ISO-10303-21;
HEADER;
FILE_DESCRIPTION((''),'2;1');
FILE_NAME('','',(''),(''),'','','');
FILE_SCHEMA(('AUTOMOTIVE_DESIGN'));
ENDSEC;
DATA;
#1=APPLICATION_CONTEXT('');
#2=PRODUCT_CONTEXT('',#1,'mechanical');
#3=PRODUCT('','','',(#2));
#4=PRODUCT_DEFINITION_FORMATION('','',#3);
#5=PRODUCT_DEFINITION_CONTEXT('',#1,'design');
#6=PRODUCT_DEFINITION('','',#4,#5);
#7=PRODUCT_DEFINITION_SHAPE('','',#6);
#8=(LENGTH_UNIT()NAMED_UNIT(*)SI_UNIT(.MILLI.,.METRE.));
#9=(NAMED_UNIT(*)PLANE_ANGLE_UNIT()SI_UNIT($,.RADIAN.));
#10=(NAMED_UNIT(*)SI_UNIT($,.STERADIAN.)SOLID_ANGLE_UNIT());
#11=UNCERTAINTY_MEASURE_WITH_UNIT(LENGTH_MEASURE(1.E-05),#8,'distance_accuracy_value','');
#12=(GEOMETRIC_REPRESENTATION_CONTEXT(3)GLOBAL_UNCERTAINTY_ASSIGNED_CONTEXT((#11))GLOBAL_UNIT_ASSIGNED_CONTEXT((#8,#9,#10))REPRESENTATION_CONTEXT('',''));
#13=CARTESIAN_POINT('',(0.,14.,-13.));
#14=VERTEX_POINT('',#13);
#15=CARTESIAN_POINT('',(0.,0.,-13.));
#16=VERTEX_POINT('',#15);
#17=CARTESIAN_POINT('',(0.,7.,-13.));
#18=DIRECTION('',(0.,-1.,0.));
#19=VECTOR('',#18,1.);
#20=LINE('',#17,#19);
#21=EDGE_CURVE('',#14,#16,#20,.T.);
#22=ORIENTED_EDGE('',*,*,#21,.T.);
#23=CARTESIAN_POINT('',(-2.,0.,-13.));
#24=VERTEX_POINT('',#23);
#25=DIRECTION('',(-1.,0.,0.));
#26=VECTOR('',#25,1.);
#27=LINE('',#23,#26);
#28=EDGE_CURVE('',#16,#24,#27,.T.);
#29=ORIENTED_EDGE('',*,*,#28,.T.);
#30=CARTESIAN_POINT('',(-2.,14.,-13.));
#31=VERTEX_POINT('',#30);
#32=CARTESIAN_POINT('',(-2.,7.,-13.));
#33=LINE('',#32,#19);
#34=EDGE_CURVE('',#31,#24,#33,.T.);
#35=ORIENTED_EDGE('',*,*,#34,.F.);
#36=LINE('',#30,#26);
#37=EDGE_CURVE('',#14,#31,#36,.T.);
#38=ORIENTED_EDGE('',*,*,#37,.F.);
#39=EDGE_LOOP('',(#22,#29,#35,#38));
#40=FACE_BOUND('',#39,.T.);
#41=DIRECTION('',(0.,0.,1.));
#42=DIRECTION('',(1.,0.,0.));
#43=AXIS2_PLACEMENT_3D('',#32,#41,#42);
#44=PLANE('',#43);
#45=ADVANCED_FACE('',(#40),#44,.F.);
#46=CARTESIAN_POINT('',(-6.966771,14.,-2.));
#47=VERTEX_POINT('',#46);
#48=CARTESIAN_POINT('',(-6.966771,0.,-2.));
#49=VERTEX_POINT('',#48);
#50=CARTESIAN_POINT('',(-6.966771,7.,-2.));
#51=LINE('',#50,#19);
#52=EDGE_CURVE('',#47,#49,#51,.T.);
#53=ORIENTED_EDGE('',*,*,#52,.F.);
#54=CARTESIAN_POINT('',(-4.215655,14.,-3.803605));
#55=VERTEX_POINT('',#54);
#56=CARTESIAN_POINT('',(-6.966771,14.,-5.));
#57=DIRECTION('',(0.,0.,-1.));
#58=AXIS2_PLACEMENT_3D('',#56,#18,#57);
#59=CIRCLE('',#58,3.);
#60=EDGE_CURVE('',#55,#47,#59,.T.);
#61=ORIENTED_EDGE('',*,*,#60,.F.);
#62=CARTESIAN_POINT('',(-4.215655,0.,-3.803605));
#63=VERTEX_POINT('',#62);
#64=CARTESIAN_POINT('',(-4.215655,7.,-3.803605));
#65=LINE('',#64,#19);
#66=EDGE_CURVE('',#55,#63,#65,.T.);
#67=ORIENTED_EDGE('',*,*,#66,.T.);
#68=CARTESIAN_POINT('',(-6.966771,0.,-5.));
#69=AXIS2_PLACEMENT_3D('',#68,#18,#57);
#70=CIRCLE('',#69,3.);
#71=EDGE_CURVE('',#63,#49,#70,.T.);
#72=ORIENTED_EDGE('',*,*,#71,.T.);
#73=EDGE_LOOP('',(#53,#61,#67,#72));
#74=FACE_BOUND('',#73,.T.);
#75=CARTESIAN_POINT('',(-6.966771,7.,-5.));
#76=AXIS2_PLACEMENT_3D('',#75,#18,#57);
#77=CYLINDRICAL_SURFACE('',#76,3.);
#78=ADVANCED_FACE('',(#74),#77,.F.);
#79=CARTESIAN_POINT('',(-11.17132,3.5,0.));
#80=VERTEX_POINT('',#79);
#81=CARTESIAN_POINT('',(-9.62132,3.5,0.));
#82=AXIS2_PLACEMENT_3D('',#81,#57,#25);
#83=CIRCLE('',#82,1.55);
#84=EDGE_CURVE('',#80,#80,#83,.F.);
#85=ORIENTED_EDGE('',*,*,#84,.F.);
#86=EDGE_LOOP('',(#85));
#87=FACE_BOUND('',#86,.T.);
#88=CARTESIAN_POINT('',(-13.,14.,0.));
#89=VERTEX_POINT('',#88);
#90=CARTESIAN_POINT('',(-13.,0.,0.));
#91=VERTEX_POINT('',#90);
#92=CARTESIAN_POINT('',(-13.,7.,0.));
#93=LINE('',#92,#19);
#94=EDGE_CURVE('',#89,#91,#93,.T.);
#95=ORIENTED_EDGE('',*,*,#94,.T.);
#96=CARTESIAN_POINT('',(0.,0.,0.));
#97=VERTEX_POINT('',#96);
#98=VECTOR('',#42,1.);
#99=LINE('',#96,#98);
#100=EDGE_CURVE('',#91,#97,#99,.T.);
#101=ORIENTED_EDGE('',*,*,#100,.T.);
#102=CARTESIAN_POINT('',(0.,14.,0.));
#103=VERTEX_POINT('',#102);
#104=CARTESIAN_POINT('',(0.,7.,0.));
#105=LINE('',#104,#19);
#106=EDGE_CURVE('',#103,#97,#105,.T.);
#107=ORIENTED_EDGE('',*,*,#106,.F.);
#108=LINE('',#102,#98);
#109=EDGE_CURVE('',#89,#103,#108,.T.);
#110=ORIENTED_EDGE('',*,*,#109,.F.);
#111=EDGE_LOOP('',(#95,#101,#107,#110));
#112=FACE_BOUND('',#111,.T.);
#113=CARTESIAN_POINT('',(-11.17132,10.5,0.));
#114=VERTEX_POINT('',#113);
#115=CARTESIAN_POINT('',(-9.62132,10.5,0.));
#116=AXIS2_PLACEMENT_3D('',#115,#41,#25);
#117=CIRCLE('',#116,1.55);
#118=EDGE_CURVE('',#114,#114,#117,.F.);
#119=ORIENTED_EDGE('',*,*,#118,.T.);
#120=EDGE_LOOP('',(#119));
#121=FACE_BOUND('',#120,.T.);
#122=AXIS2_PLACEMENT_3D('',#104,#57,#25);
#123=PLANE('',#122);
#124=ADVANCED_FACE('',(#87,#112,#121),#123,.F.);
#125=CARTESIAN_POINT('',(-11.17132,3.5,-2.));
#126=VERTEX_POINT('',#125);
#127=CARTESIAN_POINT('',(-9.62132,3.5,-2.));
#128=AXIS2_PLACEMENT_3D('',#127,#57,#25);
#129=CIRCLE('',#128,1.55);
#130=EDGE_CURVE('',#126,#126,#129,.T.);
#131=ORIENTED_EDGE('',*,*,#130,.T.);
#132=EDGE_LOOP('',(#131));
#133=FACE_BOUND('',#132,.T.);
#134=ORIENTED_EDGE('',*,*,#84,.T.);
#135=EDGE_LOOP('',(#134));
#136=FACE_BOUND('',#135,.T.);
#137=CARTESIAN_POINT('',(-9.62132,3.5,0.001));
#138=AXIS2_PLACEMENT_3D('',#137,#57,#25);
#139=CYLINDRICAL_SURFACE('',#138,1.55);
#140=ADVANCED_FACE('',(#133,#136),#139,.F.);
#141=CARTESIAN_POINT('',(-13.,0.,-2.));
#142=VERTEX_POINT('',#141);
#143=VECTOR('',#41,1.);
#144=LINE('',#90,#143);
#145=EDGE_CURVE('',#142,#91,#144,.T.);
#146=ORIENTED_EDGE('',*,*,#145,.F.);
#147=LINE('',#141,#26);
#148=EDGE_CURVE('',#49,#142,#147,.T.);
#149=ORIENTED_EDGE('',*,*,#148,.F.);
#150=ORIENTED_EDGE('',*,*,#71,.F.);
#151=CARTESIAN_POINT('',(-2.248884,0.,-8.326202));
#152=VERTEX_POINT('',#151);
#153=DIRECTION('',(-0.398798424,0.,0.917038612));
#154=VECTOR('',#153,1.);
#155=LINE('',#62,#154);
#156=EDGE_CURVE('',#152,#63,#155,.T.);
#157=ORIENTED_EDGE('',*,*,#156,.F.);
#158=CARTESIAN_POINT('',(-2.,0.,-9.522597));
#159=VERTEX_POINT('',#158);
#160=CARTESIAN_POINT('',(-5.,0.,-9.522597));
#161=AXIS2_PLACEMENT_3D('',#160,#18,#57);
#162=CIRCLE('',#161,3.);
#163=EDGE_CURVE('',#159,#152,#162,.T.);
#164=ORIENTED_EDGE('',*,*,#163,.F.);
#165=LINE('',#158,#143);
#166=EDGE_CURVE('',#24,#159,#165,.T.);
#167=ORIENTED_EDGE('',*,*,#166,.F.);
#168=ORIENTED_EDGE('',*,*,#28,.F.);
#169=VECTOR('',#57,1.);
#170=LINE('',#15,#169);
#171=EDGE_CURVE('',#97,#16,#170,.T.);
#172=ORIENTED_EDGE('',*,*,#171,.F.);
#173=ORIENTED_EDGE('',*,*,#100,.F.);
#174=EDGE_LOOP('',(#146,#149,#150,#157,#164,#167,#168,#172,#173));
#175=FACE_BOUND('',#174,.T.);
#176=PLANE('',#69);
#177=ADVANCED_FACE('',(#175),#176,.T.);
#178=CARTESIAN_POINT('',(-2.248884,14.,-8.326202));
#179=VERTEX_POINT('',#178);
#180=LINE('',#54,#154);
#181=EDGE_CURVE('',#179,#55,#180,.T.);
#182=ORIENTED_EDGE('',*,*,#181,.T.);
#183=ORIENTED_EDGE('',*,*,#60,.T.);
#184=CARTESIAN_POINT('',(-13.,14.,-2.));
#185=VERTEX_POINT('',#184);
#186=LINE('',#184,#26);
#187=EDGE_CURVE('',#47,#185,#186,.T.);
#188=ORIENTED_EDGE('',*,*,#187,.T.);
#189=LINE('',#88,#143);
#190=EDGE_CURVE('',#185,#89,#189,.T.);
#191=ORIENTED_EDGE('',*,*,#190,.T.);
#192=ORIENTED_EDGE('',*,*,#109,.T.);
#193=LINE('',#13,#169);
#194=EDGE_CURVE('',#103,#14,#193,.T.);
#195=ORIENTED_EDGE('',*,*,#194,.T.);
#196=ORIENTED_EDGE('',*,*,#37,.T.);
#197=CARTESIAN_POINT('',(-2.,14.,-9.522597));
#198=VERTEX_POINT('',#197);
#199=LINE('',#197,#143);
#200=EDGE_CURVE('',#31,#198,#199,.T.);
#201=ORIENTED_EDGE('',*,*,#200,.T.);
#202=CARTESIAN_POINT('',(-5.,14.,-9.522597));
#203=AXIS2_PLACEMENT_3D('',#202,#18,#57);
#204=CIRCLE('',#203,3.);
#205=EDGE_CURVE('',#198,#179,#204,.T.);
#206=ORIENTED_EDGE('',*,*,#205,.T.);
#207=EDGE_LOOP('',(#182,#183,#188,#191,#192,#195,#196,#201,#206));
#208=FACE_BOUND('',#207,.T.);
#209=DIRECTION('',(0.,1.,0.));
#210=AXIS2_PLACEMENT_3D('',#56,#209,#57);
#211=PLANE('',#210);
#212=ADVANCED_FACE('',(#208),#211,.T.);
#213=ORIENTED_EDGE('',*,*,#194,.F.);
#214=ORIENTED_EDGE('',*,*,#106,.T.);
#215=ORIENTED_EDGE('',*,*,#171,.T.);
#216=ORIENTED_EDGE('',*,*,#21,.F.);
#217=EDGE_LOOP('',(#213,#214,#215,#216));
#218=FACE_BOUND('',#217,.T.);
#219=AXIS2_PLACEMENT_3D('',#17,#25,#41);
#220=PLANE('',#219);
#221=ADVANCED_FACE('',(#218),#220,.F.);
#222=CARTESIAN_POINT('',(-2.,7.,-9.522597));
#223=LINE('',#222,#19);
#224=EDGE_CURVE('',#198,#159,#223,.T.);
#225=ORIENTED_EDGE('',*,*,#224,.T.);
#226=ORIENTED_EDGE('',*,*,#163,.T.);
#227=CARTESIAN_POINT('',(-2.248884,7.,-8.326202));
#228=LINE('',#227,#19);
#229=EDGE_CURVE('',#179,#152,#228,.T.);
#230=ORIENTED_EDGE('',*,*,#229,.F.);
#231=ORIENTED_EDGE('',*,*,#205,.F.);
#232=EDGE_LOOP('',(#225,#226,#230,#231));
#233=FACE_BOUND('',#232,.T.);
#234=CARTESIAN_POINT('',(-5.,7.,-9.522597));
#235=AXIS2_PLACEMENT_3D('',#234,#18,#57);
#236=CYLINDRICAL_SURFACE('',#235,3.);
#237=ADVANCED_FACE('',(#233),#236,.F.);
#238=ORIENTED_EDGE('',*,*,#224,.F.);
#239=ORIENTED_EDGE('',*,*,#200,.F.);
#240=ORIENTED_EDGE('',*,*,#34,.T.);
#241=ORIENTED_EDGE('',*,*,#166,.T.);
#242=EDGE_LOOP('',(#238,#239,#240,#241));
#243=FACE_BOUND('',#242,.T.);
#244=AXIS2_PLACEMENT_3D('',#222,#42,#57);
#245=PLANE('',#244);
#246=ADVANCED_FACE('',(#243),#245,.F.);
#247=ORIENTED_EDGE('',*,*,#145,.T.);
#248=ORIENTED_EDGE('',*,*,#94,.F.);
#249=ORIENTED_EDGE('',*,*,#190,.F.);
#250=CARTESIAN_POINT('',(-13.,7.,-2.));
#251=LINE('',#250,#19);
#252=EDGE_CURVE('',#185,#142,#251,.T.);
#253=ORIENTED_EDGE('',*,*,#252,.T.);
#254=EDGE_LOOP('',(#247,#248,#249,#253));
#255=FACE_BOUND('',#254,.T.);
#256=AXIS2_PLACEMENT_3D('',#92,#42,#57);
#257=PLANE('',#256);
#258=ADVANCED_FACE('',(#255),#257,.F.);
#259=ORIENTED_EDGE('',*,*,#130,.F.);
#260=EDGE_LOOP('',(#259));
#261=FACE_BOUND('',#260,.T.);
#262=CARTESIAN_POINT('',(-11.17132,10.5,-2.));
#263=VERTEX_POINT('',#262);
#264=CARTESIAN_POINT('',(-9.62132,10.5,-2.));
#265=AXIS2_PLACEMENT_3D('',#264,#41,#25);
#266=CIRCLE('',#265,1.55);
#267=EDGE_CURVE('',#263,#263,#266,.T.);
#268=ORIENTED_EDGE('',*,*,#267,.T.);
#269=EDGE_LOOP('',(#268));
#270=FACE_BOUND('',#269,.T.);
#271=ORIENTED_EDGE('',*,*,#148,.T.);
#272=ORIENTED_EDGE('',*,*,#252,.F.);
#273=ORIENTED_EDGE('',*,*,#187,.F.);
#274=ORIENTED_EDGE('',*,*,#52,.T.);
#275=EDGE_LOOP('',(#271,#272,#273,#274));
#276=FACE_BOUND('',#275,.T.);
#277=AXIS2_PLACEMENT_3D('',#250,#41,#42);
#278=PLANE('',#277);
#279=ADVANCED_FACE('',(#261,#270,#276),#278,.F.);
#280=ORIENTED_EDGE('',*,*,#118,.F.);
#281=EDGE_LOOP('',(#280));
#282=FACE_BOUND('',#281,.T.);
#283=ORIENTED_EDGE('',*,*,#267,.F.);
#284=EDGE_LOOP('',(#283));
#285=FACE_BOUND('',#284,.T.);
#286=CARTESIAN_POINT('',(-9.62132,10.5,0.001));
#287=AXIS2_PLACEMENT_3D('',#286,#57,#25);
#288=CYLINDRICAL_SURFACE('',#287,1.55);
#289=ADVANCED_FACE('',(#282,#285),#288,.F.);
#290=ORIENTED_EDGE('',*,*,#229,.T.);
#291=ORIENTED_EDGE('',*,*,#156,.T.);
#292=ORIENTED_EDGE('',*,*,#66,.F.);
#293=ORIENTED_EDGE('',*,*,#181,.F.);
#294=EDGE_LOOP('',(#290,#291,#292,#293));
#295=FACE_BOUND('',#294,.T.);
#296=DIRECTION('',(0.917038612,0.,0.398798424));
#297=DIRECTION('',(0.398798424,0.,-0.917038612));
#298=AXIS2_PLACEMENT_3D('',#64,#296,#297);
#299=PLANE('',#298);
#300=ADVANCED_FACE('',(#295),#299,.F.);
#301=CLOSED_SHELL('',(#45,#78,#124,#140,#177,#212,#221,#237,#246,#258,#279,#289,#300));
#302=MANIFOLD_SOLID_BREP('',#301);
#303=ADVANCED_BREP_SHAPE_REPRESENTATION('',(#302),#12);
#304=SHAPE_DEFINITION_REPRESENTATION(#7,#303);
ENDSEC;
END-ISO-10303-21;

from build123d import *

# Parameters (mm, degrees)
BOSS_EXTRUDE1_DEPTH = 7
CUT_EXTRUDE1_REACH  = 20.412
SKETCH3_R           = 1.55


with BuildPart() as part:
    # Sketch1 → Boss-Extrude1 (new body)
    with BuildSketch(Plane(origin=(0, 0, 0), x_dir=(1, 0, 0), z_dir=(0, 1, 0))):
        with BuildLine():
            Line((0, 0), (-13, 0))
            Line((-13, 0), (-13, 2))
            Line((-13, 2), (-6.966770758, 2))
            ThreePointArc((-6.966770758, 2), (-5.321958583, 2.49109727), (-4.215654921, 3.803604727))
            Line((-4.215654921, 3.803604727), (-2.248884163, 8.326202151))
            ThreePointArc((-2.248884163, 8.326202151), (-2.062880024, 8.911593133), (-2, 9.522597424))
            Line((-2, 9.522597424), (-2, 13))
            Line((-2, 13), (0, 13))
            Line((0, 13), (0, 0))
        make_face()
    extrude(amount=BOSS_EXTRUDE1_DEPTH)

    # Sketch3 → Cut-Extrude1 (cut, up to next)
    with BuildSketch(Plane(origin=(0, 0, -2), x_dir=(-1, 0, 0), z_dir=(0, 0, -1)), mode=Mode.PRIVATE) as cut_extrude1_sk1:
        with Locations((9.621320344, 3.5)):
            Circle(SKETCH3_R)
    cut_extrude1_tool1 = extrude(cut_extrude1_sk1.sketch, amount=-CUT_EXTRUDE1_REACH, mode=Mode.PRIVATE) & part.part
    add(cut_extrude1_tool1.solids().sort_by_distance((-9.62132, 3.5, -2))[0], mode=Mode.SUBTRACT)

    # Mirror1: part across plane


with BuildPart() as part_1:
    add(part.part)
    add(part.part.mirror(Plane(origin=(-6.966770758, 7, -5), x_dir=(0, 0, 1), z_dir=(0, -1, 0))))


solid = part_1.part
